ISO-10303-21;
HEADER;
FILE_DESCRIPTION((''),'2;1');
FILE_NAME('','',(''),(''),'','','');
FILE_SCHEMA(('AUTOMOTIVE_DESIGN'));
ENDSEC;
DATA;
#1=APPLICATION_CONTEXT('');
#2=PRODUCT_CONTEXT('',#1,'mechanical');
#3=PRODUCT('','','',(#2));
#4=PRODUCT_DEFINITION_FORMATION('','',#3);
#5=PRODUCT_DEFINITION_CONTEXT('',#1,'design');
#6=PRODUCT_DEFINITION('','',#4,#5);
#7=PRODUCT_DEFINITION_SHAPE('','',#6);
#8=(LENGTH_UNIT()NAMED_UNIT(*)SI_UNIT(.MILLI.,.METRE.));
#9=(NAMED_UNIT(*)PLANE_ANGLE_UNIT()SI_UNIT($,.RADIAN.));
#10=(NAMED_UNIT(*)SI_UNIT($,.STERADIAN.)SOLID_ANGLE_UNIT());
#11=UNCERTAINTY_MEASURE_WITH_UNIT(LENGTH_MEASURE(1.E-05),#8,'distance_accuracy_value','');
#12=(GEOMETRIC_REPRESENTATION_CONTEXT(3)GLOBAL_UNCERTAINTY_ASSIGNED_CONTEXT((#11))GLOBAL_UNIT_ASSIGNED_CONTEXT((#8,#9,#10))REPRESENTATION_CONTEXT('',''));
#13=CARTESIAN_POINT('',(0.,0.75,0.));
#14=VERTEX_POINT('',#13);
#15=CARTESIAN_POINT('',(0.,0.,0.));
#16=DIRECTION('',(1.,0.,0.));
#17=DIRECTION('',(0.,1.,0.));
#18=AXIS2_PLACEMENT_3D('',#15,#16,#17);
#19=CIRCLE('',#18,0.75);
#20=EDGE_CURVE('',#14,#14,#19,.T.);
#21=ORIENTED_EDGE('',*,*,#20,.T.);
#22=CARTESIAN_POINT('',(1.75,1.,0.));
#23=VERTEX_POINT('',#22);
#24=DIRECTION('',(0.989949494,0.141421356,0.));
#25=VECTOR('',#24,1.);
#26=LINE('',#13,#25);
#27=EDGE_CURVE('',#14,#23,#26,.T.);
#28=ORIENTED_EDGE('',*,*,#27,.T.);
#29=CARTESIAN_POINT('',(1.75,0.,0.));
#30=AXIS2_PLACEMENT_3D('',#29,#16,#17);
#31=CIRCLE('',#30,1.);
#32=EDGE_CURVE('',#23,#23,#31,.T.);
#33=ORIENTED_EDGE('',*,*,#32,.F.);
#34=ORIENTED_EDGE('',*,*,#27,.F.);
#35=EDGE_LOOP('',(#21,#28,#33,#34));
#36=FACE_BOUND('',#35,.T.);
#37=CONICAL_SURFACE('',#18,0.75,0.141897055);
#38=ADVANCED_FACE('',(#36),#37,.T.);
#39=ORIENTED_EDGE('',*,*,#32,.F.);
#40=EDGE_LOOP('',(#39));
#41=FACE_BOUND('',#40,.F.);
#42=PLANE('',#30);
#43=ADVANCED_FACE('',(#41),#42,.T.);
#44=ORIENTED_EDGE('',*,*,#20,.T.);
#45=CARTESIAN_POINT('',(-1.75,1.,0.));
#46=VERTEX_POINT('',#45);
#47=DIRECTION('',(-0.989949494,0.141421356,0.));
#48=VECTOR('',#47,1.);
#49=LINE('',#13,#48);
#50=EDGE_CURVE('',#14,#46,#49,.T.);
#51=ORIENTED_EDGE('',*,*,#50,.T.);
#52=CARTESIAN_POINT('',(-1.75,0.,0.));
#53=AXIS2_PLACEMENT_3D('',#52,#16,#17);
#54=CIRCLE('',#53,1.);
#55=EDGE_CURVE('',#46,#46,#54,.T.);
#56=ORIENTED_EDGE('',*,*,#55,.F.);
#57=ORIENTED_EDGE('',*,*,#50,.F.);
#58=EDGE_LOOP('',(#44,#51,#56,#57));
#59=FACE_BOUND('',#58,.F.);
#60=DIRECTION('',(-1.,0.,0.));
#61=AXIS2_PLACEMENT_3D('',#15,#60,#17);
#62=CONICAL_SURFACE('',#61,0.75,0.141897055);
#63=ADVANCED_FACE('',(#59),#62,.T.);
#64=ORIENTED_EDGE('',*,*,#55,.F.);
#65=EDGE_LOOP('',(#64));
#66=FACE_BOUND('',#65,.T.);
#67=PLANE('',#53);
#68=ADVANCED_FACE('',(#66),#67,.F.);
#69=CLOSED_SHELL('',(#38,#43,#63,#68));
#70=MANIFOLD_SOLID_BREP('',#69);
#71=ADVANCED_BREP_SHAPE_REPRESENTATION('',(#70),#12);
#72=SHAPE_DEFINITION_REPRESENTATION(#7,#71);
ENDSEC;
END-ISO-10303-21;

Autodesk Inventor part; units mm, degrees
ref_plane "YZ Plane" through (0, 0, 0) normal (1, 0, 0) x (0, 1, 0)
ref_plane "XZ Plane" through (0, 0, 0) normal (0, 1, 0) x (-1, 0, 0)
ref_plane "XY Plane" through (0, 0, 0) normal (0, 0, 1) x (1, 0, 0)
sketch "Sketch1" plane through (0, 0, 0) normal (0, 0, 1) x (1, 0, 0)
  line L0 (0, 0) -> (1.75, 0)
  line L1 (1.75, 0) -> (1.75, 1)
  line L2 (0, 0) -> (0, 0.75)
  line L3 (0, 0.75) -> (1.75, 1)
  line L4 (0, 0) -> (-1.75, 0)
  line L5 (-1.75, 0) -> (-1.75, 1)
  line L6 (0, 0.75) -> (-1.75, 1)
  dimension "d0" = 1.75
  dimension "d1" = 1
  dimension "d2" = 0.75
revolve "Revolution1" add sketch "Sketch1" angle 360 about axis through (0, 0, 0) along (1, 0, 0)
properties part number "finger_thread_lock"
